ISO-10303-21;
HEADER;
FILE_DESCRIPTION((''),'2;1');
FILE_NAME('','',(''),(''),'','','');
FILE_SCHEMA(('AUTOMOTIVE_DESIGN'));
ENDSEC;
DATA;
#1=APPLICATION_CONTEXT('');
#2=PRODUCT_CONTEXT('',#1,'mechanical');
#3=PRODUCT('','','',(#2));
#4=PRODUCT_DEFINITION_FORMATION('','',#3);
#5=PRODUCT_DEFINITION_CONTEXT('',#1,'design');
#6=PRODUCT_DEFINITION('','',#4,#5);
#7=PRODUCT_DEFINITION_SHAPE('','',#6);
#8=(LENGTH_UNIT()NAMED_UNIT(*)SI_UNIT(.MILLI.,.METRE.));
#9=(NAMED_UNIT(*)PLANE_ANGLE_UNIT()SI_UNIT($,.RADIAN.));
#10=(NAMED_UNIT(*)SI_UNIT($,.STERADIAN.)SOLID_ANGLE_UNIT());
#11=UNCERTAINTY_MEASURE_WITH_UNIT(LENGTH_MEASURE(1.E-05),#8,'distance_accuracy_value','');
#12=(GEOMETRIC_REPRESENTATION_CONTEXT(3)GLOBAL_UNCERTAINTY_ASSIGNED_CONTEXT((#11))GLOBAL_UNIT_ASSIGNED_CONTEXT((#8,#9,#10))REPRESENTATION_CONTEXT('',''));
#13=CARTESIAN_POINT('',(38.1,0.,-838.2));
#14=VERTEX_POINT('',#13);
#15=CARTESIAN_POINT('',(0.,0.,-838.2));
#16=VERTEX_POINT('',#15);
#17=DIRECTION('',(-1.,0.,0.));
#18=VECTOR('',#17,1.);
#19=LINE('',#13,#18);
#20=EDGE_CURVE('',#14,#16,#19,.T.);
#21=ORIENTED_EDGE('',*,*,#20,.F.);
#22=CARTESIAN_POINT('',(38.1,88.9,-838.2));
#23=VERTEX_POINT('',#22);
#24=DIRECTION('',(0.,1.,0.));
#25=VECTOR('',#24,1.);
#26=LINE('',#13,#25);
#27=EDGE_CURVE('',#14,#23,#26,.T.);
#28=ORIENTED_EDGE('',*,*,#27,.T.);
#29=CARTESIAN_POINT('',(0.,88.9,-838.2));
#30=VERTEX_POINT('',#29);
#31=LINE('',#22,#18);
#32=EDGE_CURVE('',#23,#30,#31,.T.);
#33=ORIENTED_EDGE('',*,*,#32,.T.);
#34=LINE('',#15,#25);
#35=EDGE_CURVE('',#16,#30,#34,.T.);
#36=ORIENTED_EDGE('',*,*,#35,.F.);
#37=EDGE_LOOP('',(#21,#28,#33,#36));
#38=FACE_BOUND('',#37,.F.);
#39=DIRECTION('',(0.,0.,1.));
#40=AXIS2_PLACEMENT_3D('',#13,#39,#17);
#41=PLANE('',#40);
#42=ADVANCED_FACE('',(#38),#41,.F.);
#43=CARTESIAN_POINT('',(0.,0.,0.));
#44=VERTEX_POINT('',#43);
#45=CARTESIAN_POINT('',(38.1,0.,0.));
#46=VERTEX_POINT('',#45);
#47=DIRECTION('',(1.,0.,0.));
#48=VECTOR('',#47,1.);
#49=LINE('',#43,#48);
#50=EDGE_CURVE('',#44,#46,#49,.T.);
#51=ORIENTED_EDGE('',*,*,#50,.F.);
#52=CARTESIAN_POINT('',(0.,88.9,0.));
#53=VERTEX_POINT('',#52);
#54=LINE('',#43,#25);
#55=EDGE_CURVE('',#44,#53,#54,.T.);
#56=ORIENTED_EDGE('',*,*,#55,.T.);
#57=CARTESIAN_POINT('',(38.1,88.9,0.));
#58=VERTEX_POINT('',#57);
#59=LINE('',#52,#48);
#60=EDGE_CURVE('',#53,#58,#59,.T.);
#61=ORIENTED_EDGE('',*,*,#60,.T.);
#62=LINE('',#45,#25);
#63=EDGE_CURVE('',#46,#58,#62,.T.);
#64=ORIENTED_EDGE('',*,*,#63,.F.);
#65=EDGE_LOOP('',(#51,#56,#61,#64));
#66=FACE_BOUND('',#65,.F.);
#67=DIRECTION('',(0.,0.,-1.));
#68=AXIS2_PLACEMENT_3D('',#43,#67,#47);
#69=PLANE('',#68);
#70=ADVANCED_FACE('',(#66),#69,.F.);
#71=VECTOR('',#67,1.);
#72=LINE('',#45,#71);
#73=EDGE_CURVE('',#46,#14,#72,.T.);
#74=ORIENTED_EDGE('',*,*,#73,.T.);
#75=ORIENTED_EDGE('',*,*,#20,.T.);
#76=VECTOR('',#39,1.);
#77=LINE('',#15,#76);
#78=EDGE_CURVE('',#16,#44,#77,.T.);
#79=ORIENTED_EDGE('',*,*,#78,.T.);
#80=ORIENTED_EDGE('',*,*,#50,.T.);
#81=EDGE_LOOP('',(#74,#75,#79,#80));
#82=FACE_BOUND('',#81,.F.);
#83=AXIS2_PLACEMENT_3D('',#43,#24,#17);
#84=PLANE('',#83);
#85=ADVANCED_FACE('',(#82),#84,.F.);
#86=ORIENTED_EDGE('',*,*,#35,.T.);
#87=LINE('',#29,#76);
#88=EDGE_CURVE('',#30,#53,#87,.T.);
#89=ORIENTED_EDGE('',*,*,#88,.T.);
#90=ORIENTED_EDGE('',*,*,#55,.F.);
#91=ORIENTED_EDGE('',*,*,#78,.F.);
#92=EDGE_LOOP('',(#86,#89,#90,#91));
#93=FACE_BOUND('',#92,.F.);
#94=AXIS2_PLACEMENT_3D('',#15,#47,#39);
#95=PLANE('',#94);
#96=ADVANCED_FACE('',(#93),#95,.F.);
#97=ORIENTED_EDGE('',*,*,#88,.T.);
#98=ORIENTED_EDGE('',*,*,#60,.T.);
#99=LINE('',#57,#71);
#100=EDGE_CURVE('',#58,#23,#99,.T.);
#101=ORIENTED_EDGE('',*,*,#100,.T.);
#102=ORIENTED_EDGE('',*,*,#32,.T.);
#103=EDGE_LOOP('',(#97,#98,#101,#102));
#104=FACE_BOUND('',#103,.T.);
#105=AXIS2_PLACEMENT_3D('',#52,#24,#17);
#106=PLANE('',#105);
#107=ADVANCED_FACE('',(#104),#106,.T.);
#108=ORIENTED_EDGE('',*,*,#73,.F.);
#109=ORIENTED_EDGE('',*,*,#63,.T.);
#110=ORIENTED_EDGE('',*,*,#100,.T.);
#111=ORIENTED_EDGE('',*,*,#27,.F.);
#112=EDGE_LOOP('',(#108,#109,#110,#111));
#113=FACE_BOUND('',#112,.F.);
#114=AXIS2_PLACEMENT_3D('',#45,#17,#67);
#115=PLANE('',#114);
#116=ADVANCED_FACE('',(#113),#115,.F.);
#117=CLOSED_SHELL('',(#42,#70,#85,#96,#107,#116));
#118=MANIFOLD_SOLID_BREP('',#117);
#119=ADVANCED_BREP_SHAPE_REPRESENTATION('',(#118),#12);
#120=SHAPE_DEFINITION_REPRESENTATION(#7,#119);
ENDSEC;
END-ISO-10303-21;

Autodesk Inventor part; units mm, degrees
ref_plane "YZ Plane" through (0, 0, 0) normal (1, 0, 0) x (0, 1, 0)
ref_plane "XZ Plane" through (0, 0, 0) normal (0, 1, 0) x (-1, 0, 0)
ref_plane "XY Plane" through (0, 0, 0) normal (0, 0, 1) x (1, 0, 0)
sketch "Sketch1" plane through (0, 0, 0) normal (0, 1, 0) x (-1, 0, 0)
  line L0 (0, 0) -> (-38.1, 0)
  line L1 (-38.1, 0) -> (-38.1, -838.2)
  line L2 (-38.1, -838.2) -> (0, -838.2)
  line L3 (0, -838.2) -> (0, 0)
  dimension "d0" = 38.1
  dimension "d1" = 838.2
extrude "Extrusion1" add sketch "Sketch1" along normal blind 88.9
properties part number "floor short 2x4"
